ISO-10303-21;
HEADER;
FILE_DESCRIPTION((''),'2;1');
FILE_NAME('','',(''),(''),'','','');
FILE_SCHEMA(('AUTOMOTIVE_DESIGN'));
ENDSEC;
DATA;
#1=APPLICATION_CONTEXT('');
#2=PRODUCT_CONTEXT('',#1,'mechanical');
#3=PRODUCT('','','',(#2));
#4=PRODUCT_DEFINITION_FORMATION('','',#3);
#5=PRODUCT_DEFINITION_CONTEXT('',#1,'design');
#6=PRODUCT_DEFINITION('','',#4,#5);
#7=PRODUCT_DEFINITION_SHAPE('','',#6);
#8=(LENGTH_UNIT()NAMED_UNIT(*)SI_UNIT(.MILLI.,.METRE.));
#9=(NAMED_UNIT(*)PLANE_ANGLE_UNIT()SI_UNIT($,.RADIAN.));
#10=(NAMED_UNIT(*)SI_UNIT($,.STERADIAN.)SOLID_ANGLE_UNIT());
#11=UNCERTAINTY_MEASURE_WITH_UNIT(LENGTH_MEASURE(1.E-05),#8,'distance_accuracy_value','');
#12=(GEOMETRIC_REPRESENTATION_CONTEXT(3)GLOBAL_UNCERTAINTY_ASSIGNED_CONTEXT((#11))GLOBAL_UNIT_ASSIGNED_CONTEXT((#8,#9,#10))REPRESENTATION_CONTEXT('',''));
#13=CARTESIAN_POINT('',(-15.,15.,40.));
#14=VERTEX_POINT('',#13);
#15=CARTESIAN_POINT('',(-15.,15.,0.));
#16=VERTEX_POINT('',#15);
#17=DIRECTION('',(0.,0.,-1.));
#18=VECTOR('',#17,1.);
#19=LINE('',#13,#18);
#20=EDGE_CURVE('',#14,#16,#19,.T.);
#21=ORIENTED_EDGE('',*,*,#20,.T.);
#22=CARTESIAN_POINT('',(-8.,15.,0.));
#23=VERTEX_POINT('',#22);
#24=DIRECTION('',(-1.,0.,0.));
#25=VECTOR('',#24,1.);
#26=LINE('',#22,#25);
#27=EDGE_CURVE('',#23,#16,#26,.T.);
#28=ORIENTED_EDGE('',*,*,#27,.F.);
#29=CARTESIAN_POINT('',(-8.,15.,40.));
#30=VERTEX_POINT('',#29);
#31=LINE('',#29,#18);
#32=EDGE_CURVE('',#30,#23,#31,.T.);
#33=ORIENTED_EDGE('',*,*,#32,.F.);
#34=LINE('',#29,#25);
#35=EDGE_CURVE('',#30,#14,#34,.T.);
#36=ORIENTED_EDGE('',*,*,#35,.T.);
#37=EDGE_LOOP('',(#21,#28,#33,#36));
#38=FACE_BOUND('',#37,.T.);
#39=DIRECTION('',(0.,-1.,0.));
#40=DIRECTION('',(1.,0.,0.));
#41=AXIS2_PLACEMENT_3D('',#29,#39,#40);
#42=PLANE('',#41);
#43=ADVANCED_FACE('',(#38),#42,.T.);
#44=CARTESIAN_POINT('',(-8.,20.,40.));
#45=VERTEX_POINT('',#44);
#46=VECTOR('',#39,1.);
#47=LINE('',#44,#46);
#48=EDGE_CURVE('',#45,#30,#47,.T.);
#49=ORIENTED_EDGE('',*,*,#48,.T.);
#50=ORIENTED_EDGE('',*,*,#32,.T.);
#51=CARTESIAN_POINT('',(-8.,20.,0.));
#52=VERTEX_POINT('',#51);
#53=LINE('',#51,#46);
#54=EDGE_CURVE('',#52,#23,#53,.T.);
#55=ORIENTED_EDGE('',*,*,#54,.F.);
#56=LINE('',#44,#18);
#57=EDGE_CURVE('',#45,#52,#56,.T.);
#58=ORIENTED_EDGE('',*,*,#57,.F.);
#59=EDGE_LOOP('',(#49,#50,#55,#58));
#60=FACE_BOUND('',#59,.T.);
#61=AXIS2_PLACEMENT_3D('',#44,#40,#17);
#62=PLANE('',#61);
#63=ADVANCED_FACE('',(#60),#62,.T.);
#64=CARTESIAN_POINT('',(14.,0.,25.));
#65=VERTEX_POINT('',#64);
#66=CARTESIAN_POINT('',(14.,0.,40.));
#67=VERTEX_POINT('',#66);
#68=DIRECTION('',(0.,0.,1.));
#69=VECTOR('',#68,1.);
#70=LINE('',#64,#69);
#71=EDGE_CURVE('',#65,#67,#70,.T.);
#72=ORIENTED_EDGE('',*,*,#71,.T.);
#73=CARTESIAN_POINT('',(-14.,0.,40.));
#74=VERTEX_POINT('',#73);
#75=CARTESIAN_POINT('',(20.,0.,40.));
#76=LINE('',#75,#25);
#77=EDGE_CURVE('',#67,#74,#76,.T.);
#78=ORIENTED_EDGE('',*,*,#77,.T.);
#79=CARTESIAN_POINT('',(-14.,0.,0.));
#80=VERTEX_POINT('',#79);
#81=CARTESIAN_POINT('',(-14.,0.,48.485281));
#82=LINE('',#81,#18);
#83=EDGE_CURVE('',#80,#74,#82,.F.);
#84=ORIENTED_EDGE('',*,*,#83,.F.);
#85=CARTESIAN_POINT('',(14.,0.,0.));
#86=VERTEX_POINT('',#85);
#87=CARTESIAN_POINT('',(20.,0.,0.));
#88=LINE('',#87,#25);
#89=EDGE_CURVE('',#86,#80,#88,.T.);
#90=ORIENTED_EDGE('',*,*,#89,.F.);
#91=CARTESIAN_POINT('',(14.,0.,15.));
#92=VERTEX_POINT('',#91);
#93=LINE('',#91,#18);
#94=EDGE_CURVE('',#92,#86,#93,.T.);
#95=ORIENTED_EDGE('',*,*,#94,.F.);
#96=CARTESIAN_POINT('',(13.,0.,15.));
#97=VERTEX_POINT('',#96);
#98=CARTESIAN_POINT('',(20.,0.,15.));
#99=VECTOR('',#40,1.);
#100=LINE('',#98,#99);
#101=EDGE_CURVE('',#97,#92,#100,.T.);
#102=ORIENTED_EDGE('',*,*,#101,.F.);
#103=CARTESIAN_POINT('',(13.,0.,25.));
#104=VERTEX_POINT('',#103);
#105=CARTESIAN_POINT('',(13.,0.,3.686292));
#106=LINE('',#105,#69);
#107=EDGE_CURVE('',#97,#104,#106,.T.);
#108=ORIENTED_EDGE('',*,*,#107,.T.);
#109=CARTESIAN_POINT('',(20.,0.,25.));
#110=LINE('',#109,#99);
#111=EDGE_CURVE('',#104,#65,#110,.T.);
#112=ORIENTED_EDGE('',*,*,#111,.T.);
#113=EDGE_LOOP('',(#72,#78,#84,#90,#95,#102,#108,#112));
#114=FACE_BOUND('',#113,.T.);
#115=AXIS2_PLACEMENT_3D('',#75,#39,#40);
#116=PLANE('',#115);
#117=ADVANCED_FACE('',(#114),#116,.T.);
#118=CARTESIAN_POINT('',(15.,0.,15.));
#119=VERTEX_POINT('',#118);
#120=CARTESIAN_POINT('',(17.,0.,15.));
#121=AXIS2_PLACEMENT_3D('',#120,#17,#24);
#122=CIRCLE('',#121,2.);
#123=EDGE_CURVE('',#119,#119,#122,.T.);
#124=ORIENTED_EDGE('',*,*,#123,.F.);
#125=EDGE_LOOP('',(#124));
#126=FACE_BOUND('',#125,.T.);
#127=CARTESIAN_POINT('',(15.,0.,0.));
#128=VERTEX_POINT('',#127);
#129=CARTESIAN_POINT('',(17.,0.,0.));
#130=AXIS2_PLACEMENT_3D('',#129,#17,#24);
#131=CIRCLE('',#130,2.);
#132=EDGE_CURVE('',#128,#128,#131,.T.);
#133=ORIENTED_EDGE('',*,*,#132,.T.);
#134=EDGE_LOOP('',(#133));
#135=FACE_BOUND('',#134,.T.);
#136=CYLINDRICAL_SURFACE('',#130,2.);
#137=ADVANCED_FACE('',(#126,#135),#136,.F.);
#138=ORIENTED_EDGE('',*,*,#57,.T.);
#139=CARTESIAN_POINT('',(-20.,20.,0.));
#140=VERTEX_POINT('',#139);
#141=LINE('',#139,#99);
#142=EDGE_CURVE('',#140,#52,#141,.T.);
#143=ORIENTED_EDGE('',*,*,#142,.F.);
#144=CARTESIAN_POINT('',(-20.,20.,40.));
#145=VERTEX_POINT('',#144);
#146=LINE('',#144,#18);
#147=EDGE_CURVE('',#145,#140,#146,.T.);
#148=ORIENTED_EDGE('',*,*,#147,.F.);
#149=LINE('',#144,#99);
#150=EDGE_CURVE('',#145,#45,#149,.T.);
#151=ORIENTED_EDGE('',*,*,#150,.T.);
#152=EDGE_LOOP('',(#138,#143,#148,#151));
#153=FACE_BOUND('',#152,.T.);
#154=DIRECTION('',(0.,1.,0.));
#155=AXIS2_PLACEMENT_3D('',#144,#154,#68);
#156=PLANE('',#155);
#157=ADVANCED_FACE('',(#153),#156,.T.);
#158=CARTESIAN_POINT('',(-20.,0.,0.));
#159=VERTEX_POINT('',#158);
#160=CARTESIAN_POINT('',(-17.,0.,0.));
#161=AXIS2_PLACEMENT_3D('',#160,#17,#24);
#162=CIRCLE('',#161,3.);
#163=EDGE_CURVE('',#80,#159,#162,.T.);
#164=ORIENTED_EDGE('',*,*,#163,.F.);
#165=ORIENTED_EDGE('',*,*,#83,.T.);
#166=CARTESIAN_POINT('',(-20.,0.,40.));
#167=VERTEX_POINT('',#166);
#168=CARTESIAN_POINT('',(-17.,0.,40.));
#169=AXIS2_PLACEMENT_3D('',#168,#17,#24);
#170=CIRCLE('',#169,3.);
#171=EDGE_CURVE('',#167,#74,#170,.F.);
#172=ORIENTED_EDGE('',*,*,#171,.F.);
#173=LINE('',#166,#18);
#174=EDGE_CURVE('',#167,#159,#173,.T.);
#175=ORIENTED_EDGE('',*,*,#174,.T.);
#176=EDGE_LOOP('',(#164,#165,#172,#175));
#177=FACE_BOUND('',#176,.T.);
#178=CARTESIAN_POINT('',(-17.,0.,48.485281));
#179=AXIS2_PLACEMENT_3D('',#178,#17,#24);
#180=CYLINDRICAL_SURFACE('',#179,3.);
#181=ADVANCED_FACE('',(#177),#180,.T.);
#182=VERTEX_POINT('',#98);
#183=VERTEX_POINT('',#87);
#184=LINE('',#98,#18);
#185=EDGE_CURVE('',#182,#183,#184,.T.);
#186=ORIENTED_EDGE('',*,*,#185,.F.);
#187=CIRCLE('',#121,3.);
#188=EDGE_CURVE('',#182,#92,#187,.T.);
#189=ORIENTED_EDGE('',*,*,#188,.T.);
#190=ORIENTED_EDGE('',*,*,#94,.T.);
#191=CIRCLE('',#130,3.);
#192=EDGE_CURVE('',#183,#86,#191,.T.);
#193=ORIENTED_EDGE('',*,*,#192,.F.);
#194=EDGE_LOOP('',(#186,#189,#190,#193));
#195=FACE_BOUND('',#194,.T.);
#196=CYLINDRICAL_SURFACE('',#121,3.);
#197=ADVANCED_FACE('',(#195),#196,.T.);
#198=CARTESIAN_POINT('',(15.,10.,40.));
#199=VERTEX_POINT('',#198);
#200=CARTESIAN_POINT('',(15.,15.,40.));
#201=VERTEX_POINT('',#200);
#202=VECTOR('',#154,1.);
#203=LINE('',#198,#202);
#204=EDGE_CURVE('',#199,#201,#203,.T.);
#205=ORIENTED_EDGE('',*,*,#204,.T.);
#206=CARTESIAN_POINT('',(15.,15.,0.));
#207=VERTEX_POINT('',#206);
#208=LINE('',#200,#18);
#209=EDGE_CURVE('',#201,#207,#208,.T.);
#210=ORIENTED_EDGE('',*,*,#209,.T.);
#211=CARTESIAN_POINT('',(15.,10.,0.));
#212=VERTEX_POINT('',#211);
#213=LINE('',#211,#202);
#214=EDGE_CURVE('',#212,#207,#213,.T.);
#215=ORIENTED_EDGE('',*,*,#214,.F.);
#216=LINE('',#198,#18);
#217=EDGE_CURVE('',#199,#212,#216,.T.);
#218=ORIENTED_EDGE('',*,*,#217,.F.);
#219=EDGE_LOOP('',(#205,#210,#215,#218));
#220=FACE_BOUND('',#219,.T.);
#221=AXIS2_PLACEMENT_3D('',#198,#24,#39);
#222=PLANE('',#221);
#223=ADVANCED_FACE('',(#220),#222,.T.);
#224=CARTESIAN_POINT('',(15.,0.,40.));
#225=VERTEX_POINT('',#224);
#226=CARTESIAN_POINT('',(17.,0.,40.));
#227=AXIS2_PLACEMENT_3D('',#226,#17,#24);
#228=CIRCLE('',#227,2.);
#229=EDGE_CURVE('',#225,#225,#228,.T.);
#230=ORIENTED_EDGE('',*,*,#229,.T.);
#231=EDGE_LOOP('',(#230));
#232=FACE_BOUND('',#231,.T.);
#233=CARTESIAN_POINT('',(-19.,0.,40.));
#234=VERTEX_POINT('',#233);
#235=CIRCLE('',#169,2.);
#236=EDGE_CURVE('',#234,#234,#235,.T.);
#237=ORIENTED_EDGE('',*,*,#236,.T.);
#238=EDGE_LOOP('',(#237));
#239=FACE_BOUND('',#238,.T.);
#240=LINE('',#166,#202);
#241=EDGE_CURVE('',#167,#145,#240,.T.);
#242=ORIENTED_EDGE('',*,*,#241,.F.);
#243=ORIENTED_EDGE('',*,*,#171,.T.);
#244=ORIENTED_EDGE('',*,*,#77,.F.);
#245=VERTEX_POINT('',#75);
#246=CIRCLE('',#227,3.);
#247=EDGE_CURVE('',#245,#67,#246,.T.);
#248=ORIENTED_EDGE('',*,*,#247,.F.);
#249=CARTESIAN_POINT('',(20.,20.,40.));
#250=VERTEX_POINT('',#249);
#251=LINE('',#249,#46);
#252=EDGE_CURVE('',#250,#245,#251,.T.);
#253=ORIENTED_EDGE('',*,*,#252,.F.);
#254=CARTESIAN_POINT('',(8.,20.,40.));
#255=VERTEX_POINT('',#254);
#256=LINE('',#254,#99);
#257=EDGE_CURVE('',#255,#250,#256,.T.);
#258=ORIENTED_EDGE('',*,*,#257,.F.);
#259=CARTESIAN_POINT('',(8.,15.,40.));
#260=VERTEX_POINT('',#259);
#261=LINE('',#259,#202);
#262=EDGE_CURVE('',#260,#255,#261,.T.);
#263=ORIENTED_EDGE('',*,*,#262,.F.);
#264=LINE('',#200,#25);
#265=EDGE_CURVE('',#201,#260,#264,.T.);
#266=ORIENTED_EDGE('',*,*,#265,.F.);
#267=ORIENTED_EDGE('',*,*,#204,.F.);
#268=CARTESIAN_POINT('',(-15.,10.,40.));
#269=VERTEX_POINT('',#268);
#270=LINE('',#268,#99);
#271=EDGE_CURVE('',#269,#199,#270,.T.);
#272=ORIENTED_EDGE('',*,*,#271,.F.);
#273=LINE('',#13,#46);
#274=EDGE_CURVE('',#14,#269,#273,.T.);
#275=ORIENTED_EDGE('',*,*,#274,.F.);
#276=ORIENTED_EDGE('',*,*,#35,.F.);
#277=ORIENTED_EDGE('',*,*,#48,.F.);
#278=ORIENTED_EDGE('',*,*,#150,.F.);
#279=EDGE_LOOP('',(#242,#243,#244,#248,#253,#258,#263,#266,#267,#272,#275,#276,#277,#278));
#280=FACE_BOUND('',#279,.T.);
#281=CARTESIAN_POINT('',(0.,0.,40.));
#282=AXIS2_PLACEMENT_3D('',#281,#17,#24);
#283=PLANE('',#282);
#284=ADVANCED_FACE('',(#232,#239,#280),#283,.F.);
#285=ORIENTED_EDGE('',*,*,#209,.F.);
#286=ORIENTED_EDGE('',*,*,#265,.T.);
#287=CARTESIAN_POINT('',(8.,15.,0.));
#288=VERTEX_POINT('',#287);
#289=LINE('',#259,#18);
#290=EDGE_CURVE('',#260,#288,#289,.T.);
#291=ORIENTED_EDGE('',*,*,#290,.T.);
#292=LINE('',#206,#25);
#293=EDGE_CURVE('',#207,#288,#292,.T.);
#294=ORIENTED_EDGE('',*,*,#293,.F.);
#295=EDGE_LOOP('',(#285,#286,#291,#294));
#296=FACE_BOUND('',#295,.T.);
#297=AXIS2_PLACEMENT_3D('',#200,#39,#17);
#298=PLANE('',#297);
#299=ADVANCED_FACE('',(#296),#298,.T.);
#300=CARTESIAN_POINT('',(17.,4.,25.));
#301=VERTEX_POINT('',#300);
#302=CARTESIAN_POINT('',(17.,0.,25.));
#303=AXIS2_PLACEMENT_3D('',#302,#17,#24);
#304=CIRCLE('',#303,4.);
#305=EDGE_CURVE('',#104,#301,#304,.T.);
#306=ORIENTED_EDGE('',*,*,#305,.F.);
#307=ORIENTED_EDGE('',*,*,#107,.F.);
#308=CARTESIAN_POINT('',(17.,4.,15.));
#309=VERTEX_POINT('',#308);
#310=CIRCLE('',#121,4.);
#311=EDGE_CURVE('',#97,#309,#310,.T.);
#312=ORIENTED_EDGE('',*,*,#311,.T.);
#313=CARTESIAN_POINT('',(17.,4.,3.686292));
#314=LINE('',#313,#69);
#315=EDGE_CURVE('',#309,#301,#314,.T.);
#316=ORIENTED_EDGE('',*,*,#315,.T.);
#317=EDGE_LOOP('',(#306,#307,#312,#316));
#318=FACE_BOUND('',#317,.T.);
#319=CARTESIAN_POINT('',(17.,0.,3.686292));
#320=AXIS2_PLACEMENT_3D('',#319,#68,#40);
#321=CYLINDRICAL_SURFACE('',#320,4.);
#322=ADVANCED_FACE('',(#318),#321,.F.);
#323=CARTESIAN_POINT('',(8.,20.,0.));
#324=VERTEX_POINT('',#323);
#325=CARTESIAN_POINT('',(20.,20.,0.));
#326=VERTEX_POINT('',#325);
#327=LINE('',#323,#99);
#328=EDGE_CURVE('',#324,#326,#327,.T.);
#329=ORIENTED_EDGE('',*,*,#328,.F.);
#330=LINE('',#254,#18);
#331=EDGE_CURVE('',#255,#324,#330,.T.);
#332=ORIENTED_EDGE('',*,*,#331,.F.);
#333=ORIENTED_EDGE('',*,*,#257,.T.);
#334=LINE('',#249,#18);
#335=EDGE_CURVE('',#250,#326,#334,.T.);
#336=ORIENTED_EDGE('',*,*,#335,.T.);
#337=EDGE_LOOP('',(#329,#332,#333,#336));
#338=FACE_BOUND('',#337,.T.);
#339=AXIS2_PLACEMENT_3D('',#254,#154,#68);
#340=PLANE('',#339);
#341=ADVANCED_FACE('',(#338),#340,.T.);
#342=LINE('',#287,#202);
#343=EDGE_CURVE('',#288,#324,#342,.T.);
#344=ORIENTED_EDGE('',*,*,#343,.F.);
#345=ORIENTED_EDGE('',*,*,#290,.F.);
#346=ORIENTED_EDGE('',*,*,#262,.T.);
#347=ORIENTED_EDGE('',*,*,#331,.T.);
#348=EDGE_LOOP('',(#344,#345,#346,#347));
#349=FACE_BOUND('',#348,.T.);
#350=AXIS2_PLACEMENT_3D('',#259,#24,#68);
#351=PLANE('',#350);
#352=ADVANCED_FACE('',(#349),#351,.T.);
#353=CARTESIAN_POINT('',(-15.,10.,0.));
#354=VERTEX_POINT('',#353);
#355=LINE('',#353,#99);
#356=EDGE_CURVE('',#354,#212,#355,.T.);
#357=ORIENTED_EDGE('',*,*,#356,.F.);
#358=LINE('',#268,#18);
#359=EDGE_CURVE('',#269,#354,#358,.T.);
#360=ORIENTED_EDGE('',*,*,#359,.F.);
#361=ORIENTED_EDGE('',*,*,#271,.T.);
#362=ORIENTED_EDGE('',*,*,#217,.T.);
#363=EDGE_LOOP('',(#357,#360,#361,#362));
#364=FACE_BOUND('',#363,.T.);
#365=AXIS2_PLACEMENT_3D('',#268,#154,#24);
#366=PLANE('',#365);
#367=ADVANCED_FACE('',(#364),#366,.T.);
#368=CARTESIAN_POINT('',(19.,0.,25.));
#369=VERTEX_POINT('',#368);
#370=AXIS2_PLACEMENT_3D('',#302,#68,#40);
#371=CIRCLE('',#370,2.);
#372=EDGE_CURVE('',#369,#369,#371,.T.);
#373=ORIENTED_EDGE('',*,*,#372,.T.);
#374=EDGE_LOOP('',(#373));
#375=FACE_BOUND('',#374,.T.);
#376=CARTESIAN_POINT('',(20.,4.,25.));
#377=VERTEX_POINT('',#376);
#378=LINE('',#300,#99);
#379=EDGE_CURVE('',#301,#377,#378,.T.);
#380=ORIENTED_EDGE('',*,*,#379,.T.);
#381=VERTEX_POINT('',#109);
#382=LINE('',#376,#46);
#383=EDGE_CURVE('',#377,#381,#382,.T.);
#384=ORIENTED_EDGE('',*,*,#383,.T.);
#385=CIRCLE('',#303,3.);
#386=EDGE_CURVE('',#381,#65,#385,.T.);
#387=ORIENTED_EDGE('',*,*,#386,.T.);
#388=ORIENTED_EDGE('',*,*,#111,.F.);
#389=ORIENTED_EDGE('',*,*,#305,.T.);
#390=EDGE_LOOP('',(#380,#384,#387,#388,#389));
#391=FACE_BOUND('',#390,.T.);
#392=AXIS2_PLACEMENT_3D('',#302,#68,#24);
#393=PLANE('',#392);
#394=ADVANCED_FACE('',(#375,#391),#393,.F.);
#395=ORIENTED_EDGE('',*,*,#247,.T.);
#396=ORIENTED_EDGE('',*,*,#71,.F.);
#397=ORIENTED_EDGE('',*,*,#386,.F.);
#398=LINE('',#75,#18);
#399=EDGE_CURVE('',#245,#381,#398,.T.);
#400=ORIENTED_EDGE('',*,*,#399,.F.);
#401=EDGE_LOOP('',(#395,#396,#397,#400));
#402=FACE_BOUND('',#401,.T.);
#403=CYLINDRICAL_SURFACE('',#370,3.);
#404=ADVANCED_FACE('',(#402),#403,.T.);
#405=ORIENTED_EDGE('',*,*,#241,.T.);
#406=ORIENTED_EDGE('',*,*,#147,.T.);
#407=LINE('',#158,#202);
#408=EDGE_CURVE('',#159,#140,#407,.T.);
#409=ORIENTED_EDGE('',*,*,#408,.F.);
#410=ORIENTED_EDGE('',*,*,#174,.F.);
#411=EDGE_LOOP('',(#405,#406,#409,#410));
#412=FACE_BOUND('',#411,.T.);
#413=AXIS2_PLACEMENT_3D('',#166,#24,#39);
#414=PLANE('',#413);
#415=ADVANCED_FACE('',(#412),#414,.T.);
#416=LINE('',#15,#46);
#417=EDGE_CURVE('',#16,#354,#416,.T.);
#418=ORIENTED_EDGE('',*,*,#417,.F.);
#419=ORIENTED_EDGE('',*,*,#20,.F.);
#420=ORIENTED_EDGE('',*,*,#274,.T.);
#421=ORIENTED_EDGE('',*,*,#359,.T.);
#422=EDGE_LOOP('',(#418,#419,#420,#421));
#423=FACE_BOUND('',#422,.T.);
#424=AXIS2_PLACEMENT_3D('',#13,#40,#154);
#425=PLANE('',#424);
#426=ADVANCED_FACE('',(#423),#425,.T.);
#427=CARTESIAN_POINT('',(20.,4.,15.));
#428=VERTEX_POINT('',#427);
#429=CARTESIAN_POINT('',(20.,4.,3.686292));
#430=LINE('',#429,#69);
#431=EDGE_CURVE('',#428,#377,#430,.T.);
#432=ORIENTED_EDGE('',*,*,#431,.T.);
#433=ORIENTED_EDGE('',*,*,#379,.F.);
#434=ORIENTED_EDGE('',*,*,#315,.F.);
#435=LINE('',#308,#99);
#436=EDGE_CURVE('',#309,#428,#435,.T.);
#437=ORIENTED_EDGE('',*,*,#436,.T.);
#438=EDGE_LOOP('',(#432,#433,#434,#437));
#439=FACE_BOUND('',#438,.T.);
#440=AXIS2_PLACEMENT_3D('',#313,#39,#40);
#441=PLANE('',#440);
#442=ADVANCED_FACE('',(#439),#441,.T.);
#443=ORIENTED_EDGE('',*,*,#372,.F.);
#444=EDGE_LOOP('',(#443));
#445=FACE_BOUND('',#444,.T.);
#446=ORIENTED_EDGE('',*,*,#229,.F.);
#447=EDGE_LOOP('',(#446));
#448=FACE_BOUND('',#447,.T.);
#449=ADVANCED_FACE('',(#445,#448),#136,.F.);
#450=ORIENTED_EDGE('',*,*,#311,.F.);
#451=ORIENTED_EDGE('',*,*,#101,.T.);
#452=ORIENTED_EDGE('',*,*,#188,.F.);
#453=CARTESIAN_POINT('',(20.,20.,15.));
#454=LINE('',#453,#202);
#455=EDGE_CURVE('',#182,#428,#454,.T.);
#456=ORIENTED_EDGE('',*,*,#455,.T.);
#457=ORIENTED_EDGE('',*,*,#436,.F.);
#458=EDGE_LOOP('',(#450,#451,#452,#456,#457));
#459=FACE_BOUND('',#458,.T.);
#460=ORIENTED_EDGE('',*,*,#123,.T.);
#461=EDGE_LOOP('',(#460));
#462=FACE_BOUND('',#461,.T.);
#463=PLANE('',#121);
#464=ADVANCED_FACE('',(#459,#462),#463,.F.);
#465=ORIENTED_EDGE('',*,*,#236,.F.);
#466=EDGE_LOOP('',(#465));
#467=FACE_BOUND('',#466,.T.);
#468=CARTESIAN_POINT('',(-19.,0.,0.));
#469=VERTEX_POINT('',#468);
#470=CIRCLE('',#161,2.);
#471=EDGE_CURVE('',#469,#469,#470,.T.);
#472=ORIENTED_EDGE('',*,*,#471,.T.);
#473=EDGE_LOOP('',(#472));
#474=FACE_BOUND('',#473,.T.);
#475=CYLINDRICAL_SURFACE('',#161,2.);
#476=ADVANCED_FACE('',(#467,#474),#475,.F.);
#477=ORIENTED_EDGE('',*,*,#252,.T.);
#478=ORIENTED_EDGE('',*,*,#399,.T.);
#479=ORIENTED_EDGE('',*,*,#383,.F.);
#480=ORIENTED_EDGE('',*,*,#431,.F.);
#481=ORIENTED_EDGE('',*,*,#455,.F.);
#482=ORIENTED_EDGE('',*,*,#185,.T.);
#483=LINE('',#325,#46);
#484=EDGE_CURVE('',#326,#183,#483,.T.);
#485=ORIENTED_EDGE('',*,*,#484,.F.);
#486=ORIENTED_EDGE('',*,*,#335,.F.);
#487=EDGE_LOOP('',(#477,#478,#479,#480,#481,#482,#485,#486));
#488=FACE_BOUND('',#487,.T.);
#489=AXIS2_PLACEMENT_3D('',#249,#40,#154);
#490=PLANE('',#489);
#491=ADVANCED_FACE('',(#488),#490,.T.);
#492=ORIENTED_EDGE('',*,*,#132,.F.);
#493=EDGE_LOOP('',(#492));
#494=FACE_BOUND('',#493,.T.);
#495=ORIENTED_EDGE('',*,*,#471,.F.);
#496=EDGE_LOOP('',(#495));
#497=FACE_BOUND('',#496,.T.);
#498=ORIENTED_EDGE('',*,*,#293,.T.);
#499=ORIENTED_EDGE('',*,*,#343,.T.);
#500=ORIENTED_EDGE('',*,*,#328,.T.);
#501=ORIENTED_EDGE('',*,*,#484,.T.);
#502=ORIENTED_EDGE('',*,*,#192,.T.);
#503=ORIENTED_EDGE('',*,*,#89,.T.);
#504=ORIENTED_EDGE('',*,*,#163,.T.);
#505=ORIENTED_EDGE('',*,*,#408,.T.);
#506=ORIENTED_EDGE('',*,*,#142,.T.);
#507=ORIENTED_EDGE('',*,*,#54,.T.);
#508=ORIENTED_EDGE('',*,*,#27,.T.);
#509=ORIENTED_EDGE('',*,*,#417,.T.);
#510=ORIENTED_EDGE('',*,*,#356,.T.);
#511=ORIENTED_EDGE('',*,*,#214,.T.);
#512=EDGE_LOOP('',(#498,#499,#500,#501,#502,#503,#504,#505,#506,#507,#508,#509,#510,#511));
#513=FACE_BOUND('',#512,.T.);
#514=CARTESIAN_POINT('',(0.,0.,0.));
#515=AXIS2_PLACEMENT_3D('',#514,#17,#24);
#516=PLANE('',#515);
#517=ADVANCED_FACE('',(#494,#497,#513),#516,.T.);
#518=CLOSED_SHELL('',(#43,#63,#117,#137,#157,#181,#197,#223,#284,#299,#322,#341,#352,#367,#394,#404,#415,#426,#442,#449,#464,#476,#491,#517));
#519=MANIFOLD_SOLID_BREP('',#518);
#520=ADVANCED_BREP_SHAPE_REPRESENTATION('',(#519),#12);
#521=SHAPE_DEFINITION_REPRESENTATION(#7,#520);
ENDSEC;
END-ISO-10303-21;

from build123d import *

# Parameters (mm, degrees)
BOSS_EXTRUDE1_DEPTH     = 40
BOSS_EXTRUDE2_DEPTH     = 15
SKETCH9_R               = 3
BOSS_EXTRUDE3_DEPTH     = 40
CUT_EXTRUDE2_DEPTH      = 10
F_4_0_MM_DOWEL_HOLES2_D = 4


with BuildPart() as part:
    # Sketch2 → Boss-Extrude1 (new body)
    with BuildSketch(Plane.XY):
        Polygon((-20, 20), (-8, 20), (-8, 15), (-15, 15), (-15, 10), (15, 10), (15, 15), (8, 15), (8, 20), (20, 20), (20, 0), (-20, 0), align=None)
    extrude(amount=BOSS_EXTRUDE1_DEPTH)

    # Sketch3 → Boss-Extrude2 (add)
    with BuildSketch(Plane(origin=(0, 0, 0), x_dir=(-1, 0, 0), z_dir=(0, 0, -1))):
        with BuildLine():
            Line((-20, 0), (-14, 0))
            ThreePointArc((-14, 0), (-17, -3), (-20, 0))
        make_face()
    boss_extrude2 = extrude(amount=-BOSS_EXTRUDE2_DEPTH)

    # Mirror1: Boss-Extrude2 across plane
    add(boss_extrude2.mirror(Plane(origin=(0, 0, 20), x_dir=(1, 0, 0), z_dir=(0, 0, -1))))

    # Sketch9 → Boss-Extrude3 (add)
    with BuildSketch(Plane(origin=(0, 0, 0), x_dir=(-1, 0, 0), z_dir=(0, 0, -1))):
        with Locations((17, 0)):
            Circle(SKETCH9_R)
    extrude(amount=-BOSS_EXTRUDE3_DEPTH)

    # Sketch10 → Cut-Extrude2 (cut)
    with BuildSketch(Plane(origin=(0, 0, 25), x_dir=(-1, 0, 0), z_dir=(0, 0, -1))):
        with BuildLine():
            Line((-17, 4), (-20, 4))
            Line((-20, 4), (-20, 2.645751311))
            ThreePointArc((-20, 2.645751311), (-15.354248689, -3.645751311), (-17, 4))
        make_face()
    extrude(amount=CUT_EXTRUDE2_DEPTH, mode=Mode.SUBTRACT)

    # Ø4.0 mm Dowel Holes2 (through all)
    with Locations(Plane(origin=(0, 0, 0), x_dir=(-1, 0, 0), z_dir=(0, 0, -1))):
        with Locations((-17, 0)):
            f_4_0_mm_dowel_holes2 = Hole(F_4_0_MM_DOWEL_HOLES2_D / 2)

    # Mirror5: Ø4.0 mm Dowel Holes2 across plane
    add(f_4_0_mm_dowel_holes2.mirror(Plane.ZY), mode=Mode.SUBTRACT)


solid = part.part
